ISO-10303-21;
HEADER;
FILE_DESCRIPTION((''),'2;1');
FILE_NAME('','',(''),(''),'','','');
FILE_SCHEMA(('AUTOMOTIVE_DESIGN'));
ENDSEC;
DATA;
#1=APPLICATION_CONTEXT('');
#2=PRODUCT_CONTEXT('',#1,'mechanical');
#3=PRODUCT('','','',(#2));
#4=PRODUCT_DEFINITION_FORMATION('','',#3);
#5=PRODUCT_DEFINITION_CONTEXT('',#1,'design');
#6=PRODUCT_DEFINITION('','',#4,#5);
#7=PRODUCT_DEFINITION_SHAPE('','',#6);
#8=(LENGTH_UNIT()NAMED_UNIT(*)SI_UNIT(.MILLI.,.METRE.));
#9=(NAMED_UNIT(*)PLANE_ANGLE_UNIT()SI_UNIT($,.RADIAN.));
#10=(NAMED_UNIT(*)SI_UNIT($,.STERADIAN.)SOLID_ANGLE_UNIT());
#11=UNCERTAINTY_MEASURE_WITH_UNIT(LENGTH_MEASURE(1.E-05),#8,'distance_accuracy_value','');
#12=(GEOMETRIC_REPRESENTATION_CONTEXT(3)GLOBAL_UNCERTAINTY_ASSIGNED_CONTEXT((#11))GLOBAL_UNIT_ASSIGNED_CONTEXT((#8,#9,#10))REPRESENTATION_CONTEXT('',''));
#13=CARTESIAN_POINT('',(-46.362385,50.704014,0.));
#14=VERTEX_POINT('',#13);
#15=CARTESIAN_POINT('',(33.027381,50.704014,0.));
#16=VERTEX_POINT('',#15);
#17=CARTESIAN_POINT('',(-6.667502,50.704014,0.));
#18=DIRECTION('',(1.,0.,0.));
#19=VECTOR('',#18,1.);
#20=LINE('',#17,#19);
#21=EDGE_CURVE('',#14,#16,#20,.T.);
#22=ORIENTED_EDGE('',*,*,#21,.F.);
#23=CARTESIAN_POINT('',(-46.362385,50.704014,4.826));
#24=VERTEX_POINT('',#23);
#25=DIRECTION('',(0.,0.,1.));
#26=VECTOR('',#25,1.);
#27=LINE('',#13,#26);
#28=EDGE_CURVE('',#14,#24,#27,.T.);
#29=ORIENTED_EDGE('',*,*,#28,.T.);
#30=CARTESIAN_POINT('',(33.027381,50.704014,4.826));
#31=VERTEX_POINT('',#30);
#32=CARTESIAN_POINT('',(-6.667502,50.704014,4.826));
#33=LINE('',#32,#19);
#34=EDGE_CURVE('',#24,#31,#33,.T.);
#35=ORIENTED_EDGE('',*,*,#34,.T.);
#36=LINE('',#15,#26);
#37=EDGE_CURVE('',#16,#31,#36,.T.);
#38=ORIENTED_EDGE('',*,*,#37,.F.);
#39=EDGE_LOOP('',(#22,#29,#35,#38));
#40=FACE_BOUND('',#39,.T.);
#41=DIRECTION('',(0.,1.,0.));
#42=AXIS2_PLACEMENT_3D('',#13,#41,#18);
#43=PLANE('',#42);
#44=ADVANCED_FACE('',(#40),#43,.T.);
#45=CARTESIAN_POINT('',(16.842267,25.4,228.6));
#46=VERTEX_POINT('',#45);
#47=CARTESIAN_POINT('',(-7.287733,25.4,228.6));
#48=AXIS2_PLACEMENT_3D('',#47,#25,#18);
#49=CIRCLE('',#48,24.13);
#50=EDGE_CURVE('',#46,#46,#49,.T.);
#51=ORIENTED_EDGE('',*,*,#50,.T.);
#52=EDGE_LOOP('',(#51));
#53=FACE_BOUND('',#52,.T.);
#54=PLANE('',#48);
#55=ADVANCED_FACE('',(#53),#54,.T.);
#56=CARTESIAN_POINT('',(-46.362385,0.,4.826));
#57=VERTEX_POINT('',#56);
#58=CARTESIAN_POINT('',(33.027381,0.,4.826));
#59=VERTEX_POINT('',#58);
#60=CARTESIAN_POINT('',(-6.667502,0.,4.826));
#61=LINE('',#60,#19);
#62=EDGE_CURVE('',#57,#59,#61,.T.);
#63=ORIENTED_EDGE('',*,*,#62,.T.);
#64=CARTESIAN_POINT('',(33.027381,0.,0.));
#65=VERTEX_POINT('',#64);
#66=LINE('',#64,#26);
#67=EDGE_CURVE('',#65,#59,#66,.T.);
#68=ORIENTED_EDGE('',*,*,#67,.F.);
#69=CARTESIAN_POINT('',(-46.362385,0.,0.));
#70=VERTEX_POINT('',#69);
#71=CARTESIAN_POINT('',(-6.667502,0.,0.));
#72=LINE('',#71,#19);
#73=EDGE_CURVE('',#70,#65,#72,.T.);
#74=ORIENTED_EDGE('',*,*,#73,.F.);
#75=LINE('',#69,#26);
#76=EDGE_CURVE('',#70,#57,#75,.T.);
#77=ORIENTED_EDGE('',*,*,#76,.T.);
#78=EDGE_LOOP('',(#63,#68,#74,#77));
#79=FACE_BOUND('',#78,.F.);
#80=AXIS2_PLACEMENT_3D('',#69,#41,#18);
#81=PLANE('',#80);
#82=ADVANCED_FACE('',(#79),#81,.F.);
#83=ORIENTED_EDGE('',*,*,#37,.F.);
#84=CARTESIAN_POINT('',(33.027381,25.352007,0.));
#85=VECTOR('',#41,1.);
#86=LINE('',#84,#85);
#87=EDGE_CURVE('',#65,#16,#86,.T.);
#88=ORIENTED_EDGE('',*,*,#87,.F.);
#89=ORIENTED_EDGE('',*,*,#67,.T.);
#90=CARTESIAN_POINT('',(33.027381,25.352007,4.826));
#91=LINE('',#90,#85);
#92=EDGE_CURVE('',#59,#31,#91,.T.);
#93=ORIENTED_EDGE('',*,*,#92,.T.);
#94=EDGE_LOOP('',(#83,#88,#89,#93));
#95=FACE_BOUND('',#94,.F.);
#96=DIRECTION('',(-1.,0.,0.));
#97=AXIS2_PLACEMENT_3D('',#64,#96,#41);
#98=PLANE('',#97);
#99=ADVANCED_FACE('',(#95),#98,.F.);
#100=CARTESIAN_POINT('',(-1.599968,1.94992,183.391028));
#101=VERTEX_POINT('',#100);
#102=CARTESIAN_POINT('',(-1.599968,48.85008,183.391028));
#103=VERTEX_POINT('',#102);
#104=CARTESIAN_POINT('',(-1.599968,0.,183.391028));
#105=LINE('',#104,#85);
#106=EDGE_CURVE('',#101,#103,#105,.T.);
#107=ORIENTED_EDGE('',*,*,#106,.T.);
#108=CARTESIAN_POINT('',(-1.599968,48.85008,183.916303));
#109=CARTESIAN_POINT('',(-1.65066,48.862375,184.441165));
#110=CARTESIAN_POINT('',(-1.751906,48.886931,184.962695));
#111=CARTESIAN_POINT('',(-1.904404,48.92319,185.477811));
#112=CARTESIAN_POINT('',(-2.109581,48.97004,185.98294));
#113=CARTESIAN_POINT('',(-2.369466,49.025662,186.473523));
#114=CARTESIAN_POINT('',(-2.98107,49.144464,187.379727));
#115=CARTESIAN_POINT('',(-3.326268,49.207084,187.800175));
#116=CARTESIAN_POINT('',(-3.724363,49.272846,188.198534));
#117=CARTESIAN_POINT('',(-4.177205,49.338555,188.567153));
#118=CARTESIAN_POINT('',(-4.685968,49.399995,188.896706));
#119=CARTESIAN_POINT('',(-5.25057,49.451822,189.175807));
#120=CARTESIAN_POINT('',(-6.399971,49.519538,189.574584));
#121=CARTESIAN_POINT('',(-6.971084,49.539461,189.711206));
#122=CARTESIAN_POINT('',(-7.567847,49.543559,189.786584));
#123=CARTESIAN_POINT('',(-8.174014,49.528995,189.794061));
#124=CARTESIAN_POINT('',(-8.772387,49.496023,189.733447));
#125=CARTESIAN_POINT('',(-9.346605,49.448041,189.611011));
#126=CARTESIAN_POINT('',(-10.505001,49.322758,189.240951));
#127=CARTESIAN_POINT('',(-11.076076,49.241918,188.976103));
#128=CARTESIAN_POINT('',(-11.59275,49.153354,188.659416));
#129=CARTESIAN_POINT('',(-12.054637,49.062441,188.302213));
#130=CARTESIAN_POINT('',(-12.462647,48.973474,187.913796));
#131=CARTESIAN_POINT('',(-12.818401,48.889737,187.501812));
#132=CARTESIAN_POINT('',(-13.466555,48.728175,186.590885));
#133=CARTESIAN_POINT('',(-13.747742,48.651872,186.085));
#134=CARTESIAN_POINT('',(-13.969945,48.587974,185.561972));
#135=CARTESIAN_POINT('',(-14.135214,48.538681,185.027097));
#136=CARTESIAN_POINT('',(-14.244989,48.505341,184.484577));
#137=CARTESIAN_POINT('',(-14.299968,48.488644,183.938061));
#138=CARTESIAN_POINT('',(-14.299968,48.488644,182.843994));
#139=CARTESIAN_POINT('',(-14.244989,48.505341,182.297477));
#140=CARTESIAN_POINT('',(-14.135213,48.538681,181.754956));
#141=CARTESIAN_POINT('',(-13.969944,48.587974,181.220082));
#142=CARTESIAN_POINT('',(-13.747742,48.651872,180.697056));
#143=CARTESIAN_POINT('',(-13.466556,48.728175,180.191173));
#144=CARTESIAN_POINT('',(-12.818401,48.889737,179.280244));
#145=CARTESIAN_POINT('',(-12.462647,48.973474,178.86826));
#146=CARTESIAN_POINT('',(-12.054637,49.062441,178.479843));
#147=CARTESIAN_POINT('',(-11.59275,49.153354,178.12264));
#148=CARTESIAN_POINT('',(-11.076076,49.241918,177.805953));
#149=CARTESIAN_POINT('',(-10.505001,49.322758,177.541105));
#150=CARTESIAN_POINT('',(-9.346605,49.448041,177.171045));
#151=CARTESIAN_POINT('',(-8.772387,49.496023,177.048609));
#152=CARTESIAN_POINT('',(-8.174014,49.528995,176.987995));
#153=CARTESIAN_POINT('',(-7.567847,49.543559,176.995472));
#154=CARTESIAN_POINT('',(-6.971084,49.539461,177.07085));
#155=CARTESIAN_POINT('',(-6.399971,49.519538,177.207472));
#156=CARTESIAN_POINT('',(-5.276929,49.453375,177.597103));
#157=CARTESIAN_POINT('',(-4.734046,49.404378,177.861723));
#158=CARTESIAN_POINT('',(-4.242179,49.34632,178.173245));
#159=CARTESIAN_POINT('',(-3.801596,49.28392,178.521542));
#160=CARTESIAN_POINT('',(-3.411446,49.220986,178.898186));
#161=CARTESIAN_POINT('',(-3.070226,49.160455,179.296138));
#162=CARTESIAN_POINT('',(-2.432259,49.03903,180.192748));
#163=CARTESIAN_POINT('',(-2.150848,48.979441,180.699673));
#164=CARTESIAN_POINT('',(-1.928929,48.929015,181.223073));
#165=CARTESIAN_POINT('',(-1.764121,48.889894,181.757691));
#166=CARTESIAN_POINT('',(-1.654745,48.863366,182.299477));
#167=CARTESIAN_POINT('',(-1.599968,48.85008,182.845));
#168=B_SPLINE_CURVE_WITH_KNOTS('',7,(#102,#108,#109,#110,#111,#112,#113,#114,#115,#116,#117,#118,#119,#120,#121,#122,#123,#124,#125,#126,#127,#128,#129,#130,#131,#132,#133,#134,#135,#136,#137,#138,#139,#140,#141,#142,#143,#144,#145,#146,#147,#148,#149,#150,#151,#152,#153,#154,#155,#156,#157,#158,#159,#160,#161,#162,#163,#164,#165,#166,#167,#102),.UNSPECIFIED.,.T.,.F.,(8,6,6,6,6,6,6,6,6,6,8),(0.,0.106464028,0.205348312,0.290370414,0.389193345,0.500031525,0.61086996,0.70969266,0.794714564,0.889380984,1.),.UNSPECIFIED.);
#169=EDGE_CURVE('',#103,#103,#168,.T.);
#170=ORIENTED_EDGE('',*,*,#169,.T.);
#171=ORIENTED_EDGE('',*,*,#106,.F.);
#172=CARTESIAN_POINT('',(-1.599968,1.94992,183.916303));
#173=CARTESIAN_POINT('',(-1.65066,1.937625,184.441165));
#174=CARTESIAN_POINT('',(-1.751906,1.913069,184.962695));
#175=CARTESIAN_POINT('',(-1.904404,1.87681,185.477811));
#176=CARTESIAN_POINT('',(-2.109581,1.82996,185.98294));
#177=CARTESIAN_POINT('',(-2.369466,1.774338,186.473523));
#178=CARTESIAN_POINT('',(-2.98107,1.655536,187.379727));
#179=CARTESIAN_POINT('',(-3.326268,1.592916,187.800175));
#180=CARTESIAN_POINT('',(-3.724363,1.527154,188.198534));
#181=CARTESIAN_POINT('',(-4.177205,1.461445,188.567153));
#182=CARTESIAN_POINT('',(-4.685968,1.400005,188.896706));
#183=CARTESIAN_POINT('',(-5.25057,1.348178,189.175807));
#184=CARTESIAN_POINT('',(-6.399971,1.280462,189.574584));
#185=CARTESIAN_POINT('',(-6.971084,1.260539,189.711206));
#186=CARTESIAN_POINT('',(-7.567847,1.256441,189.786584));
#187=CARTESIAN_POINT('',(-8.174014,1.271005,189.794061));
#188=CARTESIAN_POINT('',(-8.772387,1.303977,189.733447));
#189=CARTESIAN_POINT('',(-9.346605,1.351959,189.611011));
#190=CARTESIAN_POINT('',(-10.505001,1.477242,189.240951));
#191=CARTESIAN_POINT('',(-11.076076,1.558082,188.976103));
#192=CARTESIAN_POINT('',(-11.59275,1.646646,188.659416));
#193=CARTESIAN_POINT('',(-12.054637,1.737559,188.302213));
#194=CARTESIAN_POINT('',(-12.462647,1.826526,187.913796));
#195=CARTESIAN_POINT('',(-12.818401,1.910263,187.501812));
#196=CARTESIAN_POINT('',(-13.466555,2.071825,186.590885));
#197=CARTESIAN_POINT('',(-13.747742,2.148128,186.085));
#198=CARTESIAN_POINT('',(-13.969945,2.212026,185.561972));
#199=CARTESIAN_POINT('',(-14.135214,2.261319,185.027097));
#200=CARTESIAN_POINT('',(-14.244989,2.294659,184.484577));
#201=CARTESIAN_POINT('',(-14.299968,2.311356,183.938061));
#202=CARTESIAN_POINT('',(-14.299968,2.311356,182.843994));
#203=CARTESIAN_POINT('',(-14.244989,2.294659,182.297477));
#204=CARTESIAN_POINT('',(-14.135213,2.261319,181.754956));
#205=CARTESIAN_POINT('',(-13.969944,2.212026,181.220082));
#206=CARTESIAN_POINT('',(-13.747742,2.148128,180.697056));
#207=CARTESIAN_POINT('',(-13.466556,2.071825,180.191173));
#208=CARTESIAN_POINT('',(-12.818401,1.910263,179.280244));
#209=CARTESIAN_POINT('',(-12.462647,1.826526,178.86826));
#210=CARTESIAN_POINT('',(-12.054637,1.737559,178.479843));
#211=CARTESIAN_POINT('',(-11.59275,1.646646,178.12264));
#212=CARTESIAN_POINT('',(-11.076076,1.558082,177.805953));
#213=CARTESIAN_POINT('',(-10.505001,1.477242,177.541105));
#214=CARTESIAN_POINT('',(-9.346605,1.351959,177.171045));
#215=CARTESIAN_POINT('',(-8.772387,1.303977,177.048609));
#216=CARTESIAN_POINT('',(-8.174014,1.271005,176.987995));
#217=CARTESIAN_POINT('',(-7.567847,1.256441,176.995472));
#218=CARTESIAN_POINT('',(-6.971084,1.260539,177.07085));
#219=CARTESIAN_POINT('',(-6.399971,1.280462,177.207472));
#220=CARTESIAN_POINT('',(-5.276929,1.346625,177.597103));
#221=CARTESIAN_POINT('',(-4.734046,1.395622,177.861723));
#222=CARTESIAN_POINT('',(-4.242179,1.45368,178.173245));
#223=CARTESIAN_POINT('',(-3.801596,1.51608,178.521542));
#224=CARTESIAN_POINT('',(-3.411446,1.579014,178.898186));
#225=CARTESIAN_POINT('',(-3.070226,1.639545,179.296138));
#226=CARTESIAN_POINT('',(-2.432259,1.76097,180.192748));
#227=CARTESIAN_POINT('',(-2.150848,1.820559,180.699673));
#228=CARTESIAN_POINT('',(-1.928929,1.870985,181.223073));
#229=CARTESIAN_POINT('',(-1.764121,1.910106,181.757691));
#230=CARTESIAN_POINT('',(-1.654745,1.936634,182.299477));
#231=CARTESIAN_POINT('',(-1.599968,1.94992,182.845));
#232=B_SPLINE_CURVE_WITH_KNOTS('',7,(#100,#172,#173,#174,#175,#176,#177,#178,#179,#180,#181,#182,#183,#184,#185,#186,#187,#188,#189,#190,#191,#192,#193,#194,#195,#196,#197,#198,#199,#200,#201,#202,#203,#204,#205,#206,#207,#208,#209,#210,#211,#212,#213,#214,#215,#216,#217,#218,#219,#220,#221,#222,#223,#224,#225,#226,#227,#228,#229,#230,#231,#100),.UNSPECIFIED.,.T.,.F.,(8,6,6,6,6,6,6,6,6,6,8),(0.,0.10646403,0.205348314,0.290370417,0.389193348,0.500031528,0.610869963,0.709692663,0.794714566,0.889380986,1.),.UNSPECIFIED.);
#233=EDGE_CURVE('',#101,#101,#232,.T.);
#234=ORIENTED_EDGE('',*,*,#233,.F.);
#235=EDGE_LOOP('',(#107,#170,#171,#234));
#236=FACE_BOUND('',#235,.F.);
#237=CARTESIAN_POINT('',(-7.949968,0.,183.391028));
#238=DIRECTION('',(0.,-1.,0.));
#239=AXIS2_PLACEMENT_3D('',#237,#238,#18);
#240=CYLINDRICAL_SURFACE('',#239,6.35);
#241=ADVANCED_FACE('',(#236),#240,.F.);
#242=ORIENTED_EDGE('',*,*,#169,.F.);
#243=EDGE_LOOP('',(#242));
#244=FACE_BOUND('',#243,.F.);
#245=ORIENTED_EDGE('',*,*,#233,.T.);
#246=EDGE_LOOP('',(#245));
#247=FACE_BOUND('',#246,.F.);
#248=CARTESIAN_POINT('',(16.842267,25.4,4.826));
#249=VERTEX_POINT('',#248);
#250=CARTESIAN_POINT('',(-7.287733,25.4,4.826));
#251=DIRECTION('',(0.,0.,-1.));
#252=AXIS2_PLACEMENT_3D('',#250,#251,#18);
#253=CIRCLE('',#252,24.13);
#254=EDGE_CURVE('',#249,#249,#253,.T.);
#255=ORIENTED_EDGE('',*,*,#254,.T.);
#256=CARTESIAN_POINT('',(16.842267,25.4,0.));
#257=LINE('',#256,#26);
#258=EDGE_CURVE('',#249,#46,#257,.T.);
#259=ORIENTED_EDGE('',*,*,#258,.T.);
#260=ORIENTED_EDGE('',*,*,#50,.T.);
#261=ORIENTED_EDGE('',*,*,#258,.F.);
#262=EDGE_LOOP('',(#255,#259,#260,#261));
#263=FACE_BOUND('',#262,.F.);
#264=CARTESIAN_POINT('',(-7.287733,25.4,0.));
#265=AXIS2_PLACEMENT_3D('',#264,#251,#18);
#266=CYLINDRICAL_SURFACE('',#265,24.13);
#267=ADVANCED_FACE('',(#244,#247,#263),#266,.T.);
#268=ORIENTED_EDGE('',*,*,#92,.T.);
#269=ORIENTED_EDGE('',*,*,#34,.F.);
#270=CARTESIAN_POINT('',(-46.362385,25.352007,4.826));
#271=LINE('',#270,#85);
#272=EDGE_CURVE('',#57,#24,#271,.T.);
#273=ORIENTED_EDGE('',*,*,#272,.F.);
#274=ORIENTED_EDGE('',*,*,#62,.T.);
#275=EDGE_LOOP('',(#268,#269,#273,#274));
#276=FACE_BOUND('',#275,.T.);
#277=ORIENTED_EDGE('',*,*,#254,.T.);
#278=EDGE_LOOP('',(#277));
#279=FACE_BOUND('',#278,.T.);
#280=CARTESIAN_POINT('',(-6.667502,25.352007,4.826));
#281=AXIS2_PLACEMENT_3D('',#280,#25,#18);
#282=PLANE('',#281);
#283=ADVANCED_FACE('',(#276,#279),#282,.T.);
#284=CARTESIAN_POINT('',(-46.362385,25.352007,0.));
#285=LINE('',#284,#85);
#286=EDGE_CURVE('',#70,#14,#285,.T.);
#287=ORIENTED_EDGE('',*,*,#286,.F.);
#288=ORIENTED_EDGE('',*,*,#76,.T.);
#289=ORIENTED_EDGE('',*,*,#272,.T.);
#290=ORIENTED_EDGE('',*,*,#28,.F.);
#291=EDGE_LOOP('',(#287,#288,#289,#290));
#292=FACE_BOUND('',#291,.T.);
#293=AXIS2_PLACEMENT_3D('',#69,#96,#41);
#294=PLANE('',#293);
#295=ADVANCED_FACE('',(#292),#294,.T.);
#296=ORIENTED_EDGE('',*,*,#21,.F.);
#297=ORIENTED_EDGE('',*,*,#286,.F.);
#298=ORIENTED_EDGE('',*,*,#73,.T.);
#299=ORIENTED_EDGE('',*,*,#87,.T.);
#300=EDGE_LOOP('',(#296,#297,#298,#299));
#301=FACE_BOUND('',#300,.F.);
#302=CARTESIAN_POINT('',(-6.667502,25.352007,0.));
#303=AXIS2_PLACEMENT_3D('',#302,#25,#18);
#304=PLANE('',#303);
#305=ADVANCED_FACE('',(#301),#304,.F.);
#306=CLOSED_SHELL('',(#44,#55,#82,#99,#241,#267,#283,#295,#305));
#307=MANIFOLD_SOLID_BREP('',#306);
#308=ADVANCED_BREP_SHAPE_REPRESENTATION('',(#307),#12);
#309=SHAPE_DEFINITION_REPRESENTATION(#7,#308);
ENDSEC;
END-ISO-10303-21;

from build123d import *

# Parameters (mm, degrees)
F0_R     = 24.13
F1_DEPTH = 228.6
F2_R     = 6.35
F3_DEPTH = 66.294
F4_W     = 79.389766
F4_H     = 50.704014
F5_DEPTH = 4.826


with BuildPart() as f1:
    # F0 (on Top) → F1 (new body)
    with BuildSketch(Plane.XY):
        with Locations((-7.287733, 25.4)):
            Circle(F0_R)
    extrude(amount=F1_DEPTH)

    # F2 (on Front) → F3 (cut)
    with BuildSketch(Plane.XZ):
        with Locations((-7.949968, 183.391028)):
            Circle(F2_R)
    extrude(amount=-F3_DEPTH, mode=Mode.SUBTRACT)

    # F4 (on Top) → F5 (join)
    with BuildSketch(Plane.XY):
        with Locations((-6.667502, 25.352007)):
            Rectangle(F4_W, F4_H)
    extrude(amount=F5_DEPTH)


solid = f1.part
